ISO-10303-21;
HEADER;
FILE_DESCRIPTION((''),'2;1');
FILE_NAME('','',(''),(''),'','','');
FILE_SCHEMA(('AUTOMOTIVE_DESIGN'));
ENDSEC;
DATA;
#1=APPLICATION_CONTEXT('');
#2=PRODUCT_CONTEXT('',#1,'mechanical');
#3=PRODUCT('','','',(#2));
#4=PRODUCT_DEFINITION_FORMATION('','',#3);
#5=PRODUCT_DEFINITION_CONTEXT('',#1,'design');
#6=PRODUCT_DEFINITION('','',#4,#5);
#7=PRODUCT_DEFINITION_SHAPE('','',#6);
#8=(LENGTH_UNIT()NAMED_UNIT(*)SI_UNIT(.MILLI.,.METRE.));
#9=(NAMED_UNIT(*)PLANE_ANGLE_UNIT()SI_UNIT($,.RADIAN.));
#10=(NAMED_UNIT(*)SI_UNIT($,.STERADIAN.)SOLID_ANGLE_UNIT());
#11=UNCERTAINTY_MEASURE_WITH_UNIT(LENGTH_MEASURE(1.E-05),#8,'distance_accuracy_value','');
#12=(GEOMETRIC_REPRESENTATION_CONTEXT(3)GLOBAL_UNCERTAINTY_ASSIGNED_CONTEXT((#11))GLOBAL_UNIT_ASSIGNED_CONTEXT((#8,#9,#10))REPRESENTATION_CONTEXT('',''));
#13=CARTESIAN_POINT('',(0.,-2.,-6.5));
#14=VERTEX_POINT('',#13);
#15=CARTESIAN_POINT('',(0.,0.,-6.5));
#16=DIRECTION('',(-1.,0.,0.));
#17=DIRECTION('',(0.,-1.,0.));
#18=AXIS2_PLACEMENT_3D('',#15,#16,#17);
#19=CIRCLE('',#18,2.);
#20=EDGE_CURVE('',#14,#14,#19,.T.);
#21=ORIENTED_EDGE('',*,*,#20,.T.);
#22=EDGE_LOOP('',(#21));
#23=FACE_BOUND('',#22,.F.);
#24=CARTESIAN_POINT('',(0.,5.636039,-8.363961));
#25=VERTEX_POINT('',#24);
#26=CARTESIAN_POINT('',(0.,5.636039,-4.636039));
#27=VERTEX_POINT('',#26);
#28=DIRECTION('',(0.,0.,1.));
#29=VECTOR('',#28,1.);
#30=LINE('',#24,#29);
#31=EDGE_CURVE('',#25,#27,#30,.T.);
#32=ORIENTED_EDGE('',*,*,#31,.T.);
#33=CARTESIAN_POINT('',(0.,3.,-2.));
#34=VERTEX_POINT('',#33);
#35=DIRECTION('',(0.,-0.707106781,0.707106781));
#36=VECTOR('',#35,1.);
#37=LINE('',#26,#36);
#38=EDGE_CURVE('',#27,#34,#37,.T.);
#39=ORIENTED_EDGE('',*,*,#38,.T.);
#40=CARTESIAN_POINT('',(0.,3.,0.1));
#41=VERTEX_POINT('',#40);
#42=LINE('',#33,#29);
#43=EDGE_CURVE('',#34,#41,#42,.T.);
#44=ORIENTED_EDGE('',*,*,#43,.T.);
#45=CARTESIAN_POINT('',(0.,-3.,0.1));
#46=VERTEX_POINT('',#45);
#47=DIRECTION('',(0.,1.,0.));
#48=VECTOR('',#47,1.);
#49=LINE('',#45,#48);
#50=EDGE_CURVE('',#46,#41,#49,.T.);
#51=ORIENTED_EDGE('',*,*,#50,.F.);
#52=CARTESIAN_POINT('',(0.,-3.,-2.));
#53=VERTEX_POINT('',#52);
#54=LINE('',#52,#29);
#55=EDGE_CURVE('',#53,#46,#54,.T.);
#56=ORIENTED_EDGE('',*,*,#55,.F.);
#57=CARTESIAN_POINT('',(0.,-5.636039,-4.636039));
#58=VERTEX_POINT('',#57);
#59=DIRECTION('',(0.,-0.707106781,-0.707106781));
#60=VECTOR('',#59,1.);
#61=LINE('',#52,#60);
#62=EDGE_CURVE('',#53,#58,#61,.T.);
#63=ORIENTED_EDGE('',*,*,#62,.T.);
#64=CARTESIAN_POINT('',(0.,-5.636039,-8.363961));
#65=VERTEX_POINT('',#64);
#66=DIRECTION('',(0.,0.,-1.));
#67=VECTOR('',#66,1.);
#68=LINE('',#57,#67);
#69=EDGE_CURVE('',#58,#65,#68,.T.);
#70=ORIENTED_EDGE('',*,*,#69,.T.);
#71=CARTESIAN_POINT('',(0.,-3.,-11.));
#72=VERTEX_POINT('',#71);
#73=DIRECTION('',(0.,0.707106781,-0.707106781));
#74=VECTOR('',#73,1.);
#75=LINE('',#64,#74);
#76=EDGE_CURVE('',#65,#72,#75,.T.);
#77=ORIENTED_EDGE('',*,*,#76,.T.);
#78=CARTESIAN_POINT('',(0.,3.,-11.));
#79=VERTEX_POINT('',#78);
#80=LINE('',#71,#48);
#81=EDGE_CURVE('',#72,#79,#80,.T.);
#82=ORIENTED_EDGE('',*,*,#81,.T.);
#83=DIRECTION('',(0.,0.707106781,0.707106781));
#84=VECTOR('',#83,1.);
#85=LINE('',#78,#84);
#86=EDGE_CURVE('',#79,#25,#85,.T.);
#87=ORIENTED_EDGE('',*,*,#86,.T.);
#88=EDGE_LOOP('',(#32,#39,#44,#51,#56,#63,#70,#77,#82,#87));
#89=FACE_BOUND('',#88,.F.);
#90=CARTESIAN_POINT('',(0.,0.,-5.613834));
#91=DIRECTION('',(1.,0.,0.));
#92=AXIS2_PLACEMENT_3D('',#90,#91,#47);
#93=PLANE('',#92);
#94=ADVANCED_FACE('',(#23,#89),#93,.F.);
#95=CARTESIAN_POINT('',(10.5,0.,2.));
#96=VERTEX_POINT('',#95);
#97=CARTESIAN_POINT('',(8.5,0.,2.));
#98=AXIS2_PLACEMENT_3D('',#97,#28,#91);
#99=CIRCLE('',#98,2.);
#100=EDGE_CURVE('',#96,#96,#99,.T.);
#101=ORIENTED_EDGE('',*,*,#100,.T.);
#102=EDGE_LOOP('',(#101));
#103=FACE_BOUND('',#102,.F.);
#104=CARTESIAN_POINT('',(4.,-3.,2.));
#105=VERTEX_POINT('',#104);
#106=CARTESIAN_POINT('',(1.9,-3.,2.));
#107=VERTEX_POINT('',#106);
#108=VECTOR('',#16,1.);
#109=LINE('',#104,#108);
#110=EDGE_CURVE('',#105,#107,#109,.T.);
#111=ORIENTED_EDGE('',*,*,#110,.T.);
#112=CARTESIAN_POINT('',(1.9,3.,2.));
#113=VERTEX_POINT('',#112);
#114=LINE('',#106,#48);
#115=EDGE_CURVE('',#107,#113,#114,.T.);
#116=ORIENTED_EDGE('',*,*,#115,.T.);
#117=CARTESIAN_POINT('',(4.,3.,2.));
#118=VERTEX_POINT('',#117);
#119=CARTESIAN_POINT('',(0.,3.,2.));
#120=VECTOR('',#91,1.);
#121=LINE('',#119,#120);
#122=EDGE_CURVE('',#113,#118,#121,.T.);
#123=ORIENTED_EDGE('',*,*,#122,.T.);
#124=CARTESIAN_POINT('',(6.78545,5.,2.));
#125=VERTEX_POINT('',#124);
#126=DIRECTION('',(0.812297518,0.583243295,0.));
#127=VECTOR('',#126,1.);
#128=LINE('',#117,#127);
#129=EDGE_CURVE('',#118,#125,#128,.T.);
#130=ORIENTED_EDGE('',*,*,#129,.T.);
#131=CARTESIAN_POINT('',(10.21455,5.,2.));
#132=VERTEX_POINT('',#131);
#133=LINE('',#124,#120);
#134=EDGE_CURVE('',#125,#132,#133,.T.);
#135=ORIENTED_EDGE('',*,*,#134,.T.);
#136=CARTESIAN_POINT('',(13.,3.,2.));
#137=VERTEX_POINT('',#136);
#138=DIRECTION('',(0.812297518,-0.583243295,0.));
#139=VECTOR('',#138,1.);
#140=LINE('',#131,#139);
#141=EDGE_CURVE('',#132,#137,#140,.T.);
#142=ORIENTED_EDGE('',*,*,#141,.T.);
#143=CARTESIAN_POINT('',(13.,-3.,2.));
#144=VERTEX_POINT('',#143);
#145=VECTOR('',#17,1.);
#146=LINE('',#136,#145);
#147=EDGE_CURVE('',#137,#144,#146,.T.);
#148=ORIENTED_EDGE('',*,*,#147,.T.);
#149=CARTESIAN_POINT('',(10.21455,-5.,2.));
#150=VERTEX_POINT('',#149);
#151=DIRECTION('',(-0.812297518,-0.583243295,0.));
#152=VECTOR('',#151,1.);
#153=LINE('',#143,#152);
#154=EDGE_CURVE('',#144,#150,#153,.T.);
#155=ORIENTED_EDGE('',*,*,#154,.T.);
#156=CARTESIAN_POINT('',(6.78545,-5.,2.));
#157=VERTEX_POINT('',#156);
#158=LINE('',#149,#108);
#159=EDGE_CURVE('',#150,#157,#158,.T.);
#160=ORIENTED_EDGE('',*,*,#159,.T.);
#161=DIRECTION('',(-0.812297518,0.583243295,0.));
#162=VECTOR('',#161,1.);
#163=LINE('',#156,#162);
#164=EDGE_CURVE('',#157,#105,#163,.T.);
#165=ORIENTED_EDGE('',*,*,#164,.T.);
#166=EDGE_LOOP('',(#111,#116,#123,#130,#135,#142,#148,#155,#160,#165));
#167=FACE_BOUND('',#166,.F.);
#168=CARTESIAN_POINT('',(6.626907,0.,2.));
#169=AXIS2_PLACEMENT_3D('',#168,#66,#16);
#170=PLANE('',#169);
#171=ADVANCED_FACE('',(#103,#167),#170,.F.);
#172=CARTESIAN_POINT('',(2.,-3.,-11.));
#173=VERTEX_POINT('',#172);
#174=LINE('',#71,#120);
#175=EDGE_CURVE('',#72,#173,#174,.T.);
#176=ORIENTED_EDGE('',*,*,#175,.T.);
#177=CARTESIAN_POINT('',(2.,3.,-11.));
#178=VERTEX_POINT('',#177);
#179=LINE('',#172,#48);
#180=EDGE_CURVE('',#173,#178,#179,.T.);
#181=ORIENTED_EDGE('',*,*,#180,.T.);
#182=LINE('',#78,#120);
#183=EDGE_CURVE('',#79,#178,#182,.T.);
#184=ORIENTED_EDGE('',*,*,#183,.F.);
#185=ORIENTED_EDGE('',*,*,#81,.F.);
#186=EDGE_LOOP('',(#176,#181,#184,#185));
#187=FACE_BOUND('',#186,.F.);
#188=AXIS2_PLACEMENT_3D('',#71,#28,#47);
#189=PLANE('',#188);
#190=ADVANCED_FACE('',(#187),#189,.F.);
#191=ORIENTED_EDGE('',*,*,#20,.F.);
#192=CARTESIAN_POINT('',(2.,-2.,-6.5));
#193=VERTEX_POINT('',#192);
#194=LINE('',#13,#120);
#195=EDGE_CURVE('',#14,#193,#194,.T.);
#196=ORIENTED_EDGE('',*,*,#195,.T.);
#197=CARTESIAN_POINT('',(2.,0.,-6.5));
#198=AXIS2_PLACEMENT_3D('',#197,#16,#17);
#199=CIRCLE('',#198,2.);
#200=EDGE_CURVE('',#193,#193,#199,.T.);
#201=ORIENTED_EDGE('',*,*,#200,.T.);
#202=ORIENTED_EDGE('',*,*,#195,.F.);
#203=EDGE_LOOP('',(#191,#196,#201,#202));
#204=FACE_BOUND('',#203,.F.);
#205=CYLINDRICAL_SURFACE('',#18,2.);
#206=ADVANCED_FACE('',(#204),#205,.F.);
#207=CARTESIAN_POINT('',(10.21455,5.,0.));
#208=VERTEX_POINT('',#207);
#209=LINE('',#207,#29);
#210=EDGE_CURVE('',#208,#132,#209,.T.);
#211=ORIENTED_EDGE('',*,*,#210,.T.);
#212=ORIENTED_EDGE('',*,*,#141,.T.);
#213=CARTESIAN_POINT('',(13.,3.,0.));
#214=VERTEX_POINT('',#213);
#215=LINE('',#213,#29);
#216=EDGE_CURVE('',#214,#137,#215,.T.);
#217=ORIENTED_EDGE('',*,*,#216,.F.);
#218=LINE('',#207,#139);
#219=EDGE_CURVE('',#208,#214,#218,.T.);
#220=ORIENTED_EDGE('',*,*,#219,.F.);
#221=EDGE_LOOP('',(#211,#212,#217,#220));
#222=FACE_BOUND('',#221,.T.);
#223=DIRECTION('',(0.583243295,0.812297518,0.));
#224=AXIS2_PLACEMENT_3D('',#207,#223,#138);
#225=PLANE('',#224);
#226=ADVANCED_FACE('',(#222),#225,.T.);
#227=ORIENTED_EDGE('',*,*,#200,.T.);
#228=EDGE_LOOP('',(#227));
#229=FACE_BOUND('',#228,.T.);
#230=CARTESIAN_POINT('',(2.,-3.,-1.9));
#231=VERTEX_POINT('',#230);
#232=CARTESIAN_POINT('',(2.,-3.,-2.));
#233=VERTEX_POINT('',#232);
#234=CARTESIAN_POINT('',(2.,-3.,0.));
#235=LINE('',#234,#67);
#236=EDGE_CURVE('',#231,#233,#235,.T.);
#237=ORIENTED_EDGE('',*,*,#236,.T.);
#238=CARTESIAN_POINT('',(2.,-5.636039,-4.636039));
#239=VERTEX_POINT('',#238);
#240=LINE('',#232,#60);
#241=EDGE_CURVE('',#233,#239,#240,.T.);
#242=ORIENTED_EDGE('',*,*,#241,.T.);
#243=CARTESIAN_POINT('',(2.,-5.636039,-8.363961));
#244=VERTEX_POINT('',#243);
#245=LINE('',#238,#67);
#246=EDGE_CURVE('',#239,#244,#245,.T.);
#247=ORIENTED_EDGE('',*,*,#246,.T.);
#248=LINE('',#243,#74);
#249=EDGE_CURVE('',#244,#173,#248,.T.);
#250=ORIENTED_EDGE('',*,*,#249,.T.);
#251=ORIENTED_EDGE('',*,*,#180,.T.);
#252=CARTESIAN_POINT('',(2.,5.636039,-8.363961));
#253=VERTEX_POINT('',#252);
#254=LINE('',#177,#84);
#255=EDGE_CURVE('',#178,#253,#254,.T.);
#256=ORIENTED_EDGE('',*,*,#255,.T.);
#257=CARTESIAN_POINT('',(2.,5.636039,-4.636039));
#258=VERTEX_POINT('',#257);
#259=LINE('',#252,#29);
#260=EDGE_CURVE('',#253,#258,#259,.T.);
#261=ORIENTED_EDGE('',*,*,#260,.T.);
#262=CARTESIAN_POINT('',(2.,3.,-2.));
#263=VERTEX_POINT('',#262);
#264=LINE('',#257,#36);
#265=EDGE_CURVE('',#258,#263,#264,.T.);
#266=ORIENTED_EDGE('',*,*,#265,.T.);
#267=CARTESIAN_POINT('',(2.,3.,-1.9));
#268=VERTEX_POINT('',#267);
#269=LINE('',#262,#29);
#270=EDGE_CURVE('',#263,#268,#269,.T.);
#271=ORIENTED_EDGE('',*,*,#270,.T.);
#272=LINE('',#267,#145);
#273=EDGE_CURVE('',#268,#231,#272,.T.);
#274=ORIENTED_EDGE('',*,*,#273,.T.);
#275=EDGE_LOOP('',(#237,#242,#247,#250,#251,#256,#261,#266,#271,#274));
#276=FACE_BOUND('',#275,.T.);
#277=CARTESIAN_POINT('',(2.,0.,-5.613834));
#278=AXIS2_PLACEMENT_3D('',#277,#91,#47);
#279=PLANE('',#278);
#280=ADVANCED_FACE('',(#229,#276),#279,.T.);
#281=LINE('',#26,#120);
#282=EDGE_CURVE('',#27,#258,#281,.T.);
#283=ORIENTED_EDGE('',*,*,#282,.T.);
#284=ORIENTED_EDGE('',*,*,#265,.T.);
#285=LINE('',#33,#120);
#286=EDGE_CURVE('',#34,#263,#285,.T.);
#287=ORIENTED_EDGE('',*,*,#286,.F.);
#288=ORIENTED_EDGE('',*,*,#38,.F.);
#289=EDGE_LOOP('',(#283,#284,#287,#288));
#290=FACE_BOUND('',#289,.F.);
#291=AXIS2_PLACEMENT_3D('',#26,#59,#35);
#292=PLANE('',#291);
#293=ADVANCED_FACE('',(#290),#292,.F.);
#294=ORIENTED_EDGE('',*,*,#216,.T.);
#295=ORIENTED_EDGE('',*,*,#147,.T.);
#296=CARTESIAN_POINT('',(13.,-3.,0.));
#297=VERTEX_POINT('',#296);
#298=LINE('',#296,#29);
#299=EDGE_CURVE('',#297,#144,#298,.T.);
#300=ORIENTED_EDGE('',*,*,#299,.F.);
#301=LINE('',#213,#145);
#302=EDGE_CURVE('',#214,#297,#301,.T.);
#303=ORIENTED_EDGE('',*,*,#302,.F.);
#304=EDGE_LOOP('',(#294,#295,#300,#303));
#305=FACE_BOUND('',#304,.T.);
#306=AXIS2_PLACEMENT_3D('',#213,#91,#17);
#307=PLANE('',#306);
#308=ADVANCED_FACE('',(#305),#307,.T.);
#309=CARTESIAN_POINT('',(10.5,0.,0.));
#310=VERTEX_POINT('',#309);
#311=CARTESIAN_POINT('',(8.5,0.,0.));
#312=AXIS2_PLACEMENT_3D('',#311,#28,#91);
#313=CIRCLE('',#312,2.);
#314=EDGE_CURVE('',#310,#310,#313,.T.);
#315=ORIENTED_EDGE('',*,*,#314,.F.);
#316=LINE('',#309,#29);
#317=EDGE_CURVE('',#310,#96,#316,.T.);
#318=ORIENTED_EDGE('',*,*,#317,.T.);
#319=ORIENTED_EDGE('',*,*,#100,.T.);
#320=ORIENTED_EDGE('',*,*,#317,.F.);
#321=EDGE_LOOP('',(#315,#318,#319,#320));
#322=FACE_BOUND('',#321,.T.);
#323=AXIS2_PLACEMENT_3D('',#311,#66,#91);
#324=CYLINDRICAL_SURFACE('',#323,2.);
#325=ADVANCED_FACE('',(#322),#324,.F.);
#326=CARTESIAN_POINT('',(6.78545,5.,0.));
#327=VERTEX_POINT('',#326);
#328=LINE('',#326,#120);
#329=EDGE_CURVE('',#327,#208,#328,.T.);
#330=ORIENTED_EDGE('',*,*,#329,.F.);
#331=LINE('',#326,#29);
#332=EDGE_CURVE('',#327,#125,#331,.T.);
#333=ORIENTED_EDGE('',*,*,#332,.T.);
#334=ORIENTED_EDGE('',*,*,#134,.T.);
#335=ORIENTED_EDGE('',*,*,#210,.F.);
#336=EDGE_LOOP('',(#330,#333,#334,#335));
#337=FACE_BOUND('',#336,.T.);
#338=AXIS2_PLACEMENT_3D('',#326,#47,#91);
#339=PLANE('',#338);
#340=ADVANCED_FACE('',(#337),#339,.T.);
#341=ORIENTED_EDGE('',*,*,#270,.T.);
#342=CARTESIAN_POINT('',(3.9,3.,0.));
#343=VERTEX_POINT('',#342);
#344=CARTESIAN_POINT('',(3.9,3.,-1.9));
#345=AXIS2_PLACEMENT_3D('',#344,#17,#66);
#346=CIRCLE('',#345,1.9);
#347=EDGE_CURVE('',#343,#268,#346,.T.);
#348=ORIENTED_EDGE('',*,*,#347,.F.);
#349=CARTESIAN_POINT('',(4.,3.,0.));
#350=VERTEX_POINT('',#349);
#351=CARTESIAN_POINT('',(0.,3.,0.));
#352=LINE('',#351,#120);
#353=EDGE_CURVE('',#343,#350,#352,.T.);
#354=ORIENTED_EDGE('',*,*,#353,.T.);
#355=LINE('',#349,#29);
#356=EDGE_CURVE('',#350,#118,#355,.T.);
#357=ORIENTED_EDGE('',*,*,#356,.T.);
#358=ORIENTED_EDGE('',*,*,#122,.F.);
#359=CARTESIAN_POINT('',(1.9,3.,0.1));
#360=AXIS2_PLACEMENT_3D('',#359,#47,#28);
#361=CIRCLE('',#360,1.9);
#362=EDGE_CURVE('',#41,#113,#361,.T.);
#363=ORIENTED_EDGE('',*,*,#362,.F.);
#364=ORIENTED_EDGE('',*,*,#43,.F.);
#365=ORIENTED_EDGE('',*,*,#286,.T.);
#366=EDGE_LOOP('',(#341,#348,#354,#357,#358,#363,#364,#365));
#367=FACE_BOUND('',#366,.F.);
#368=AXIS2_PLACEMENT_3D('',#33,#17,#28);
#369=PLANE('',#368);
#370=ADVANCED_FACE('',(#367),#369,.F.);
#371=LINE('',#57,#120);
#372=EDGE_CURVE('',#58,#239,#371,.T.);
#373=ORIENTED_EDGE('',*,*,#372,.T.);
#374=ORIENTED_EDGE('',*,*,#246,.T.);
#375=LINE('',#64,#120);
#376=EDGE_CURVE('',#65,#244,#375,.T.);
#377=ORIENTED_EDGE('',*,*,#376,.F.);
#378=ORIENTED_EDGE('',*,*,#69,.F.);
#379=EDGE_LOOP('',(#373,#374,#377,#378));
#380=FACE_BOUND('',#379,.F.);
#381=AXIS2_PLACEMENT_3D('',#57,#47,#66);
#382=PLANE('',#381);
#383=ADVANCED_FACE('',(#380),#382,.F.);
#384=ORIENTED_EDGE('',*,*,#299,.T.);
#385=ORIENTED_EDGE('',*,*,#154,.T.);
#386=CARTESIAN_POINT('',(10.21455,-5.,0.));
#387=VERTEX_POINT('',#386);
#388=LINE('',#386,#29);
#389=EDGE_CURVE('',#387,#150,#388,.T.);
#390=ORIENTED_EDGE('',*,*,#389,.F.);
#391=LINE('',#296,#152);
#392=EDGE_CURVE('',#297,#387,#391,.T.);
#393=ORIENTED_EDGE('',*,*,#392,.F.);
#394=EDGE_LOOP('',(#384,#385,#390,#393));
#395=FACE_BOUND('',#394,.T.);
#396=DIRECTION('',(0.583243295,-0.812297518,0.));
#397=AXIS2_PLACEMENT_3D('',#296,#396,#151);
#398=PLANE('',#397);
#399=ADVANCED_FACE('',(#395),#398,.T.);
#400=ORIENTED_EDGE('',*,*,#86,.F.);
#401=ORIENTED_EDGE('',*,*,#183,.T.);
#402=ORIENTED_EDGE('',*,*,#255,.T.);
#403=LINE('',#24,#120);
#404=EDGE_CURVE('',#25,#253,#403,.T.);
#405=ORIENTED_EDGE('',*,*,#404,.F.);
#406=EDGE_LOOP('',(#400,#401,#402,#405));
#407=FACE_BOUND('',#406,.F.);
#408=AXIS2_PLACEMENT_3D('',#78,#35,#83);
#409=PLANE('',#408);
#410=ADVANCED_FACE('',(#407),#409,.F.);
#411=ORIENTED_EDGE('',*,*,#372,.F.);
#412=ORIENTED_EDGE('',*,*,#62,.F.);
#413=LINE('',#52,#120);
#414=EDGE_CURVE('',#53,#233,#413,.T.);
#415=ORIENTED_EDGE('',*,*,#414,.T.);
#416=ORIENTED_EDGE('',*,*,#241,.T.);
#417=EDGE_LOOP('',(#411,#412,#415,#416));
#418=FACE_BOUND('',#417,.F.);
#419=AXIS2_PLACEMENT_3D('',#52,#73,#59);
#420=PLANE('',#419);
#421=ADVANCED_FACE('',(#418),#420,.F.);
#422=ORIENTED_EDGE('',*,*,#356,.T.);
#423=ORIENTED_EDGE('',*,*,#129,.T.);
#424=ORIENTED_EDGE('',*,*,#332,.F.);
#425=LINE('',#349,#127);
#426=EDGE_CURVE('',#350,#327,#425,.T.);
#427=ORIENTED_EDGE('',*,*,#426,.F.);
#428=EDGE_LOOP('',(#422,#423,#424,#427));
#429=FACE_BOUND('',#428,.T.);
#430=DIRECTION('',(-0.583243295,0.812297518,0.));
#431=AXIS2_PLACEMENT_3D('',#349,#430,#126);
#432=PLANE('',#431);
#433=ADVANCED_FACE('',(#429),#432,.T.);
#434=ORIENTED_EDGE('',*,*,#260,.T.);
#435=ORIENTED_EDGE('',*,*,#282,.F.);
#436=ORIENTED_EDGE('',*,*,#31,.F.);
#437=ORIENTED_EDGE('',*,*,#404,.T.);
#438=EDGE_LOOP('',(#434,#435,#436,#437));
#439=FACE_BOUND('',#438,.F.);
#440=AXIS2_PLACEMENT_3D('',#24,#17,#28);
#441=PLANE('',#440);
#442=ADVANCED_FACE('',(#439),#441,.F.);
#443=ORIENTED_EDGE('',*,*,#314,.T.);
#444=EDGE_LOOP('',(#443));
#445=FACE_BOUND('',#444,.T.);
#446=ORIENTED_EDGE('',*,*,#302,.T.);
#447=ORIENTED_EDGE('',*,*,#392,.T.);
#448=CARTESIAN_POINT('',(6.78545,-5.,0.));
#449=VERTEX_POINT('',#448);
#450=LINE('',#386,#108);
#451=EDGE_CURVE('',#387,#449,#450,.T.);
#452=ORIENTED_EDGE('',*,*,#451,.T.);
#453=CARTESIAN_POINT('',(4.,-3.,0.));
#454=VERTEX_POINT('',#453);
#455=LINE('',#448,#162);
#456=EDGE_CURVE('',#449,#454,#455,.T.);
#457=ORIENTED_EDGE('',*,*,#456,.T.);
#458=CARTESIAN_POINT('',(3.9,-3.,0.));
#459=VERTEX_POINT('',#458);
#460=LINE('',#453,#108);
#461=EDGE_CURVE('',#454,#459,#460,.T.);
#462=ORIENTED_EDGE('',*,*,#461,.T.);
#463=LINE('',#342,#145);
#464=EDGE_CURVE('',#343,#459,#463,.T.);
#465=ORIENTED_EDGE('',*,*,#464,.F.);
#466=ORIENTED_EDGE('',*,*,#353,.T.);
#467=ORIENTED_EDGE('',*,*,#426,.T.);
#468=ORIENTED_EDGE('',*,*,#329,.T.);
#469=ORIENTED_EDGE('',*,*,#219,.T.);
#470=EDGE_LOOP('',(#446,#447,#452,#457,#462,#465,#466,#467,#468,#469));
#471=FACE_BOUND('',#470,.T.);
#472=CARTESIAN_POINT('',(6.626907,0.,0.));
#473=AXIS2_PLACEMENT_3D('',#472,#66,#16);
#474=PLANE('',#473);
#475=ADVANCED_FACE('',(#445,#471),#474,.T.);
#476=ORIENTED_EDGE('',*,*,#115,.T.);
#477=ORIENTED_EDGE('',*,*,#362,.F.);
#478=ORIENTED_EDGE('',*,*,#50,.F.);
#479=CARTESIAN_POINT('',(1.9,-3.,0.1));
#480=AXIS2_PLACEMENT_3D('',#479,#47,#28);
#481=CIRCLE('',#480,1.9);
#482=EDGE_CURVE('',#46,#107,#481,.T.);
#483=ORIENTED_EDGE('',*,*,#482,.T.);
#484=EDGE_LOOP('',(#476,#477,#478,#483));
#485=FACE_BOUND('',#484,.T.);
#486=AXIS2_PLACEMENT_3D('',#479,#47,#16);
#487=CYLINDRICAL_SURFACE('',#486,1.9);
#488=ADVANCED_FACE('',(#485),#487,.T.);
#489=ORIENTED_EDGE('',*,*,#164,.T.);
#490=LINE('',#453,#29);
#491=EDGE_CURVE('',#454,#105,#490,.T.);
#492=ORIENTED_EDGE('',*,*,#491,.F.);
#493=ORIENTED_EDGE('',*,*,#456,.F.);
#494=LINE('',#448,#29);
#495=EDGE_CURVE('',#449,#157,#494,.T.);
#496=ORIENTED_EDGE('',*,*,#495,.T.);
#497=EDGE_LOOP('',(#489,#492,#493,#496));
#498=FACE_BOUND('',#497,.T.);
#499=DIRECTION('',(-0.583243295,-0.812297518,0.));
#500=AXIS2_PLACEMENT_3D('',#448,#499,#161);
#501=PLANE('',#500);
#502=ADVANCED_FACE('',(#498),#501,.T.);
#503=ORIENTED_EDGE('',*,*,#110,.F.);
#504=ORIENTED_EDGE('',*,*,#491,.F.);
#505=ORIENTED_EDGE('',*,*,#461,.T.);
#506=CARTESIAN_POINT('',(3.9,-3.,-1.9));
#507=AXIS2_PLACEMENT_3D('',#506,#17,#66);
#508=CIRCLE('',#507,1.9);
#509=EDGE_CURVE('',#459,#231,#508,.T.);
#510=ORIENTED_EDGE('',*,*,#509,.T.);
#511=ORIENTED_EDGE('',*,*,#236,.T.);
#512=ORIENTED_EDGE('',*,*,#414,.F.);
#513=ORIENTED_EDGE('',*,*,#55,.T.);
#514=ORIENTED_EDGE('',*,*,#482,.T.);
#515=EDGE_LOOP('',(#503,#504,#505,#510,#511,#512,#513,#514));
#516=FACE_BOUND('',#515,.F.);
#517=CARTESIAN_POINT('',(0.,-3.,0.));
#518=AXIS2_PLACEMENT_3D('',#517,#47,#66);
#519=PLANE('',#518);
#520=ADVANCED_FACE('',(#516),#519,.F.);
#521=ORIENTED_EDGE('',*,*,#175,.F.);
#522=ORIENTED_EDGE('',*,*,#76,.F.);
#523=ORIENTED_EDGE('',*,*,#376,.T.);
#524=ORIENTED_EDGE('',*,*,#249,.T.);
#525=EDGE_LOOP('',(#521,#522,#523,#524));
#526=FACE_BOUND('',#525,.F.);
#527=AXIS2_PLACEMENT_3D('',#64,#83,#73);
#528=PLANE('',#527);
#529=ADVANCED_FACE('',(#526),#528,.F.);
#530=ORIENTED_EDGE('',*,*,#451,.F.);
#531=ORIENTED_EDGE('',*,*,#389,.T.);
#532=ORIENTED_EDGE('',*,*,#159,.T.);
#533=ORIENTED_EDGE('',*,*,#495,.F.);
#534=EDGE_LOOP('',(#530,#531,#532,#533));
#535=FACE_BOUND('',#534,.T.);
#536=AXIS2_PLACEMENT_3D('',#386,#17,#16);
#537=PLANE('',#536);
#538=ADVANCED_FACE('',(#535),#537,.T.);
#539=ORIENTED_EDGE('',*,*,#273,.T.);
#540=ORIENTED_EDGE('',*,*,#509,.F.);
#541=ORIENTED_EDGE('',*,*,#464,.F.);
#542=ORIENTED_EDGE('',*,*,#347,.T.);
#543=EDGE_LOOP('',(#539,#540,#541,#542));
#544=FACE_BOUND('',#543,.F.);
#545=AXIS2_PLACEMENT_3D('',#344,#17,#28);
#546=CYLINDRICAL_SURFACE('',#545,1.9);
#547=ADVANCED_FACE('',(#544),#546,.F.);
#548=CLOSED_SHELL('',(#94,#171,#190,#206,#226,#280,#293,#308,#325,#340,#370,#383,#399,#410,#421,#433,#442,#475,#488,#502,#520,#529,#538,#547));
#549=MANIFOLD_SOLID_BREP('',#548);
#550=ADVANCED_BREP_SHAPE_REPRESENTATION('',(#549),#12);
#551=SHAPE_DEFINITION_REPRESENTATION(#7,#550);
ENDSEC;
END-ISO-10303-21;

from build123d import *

# Parameters (mm, degrees)
SKETCH_R     = 2
PAD_DEPTH    = 2
SKETCH001_R  = 2
PAD001_DEPTH = 2
FILLET_R     = 1.9


with BuildPart() as part:
    # Sketch → Pad (new body)
    with BuildSketch(Plane.XY):
        Polygon((13, 3), (13, -3), (10.21455, -5), (6.78545, -5), (4, -3), (0, -3), (0, 3), (4, 3), (6.78545, 5), (10.21455, 5), align=None)
        with Locations((8.5, 0)):
            Circle(SKETCH_R, mode=Mode.SUBTRACT)
    extrude(amount=PAD_DEPTH)

    # Sketch001 → Pad001 (new body)
    with BuildSketch(Plane(origin=(0, 0, 0), x_dir=(0, -1, 0), z_dir=(-1, 0, 0))):
        Polygon((-3, 0), (3, 0), (3, -2), (5.636039, -4.636039), (5.636039, -8.363961), (3, -11), (-3, -11), (-5.636039, -8.363961), (-5.636039, -4.636039), (-3, -2), align=None)
        with Locations((0, -6.5)):
            Circle(SKETCH001_R, mode=Mode.SUBTRACT)
    extrude(amount=-PAD001_DEPTH)

    # Fillet
    fillet_edges = [part.edges().sort_by_distance(p)[0] for p in [
        (2, 0, 0),
        (0, 0, 2),
    ]]
    fillet(fillet_edges, radius=FILLET_R)


solid = part.part
